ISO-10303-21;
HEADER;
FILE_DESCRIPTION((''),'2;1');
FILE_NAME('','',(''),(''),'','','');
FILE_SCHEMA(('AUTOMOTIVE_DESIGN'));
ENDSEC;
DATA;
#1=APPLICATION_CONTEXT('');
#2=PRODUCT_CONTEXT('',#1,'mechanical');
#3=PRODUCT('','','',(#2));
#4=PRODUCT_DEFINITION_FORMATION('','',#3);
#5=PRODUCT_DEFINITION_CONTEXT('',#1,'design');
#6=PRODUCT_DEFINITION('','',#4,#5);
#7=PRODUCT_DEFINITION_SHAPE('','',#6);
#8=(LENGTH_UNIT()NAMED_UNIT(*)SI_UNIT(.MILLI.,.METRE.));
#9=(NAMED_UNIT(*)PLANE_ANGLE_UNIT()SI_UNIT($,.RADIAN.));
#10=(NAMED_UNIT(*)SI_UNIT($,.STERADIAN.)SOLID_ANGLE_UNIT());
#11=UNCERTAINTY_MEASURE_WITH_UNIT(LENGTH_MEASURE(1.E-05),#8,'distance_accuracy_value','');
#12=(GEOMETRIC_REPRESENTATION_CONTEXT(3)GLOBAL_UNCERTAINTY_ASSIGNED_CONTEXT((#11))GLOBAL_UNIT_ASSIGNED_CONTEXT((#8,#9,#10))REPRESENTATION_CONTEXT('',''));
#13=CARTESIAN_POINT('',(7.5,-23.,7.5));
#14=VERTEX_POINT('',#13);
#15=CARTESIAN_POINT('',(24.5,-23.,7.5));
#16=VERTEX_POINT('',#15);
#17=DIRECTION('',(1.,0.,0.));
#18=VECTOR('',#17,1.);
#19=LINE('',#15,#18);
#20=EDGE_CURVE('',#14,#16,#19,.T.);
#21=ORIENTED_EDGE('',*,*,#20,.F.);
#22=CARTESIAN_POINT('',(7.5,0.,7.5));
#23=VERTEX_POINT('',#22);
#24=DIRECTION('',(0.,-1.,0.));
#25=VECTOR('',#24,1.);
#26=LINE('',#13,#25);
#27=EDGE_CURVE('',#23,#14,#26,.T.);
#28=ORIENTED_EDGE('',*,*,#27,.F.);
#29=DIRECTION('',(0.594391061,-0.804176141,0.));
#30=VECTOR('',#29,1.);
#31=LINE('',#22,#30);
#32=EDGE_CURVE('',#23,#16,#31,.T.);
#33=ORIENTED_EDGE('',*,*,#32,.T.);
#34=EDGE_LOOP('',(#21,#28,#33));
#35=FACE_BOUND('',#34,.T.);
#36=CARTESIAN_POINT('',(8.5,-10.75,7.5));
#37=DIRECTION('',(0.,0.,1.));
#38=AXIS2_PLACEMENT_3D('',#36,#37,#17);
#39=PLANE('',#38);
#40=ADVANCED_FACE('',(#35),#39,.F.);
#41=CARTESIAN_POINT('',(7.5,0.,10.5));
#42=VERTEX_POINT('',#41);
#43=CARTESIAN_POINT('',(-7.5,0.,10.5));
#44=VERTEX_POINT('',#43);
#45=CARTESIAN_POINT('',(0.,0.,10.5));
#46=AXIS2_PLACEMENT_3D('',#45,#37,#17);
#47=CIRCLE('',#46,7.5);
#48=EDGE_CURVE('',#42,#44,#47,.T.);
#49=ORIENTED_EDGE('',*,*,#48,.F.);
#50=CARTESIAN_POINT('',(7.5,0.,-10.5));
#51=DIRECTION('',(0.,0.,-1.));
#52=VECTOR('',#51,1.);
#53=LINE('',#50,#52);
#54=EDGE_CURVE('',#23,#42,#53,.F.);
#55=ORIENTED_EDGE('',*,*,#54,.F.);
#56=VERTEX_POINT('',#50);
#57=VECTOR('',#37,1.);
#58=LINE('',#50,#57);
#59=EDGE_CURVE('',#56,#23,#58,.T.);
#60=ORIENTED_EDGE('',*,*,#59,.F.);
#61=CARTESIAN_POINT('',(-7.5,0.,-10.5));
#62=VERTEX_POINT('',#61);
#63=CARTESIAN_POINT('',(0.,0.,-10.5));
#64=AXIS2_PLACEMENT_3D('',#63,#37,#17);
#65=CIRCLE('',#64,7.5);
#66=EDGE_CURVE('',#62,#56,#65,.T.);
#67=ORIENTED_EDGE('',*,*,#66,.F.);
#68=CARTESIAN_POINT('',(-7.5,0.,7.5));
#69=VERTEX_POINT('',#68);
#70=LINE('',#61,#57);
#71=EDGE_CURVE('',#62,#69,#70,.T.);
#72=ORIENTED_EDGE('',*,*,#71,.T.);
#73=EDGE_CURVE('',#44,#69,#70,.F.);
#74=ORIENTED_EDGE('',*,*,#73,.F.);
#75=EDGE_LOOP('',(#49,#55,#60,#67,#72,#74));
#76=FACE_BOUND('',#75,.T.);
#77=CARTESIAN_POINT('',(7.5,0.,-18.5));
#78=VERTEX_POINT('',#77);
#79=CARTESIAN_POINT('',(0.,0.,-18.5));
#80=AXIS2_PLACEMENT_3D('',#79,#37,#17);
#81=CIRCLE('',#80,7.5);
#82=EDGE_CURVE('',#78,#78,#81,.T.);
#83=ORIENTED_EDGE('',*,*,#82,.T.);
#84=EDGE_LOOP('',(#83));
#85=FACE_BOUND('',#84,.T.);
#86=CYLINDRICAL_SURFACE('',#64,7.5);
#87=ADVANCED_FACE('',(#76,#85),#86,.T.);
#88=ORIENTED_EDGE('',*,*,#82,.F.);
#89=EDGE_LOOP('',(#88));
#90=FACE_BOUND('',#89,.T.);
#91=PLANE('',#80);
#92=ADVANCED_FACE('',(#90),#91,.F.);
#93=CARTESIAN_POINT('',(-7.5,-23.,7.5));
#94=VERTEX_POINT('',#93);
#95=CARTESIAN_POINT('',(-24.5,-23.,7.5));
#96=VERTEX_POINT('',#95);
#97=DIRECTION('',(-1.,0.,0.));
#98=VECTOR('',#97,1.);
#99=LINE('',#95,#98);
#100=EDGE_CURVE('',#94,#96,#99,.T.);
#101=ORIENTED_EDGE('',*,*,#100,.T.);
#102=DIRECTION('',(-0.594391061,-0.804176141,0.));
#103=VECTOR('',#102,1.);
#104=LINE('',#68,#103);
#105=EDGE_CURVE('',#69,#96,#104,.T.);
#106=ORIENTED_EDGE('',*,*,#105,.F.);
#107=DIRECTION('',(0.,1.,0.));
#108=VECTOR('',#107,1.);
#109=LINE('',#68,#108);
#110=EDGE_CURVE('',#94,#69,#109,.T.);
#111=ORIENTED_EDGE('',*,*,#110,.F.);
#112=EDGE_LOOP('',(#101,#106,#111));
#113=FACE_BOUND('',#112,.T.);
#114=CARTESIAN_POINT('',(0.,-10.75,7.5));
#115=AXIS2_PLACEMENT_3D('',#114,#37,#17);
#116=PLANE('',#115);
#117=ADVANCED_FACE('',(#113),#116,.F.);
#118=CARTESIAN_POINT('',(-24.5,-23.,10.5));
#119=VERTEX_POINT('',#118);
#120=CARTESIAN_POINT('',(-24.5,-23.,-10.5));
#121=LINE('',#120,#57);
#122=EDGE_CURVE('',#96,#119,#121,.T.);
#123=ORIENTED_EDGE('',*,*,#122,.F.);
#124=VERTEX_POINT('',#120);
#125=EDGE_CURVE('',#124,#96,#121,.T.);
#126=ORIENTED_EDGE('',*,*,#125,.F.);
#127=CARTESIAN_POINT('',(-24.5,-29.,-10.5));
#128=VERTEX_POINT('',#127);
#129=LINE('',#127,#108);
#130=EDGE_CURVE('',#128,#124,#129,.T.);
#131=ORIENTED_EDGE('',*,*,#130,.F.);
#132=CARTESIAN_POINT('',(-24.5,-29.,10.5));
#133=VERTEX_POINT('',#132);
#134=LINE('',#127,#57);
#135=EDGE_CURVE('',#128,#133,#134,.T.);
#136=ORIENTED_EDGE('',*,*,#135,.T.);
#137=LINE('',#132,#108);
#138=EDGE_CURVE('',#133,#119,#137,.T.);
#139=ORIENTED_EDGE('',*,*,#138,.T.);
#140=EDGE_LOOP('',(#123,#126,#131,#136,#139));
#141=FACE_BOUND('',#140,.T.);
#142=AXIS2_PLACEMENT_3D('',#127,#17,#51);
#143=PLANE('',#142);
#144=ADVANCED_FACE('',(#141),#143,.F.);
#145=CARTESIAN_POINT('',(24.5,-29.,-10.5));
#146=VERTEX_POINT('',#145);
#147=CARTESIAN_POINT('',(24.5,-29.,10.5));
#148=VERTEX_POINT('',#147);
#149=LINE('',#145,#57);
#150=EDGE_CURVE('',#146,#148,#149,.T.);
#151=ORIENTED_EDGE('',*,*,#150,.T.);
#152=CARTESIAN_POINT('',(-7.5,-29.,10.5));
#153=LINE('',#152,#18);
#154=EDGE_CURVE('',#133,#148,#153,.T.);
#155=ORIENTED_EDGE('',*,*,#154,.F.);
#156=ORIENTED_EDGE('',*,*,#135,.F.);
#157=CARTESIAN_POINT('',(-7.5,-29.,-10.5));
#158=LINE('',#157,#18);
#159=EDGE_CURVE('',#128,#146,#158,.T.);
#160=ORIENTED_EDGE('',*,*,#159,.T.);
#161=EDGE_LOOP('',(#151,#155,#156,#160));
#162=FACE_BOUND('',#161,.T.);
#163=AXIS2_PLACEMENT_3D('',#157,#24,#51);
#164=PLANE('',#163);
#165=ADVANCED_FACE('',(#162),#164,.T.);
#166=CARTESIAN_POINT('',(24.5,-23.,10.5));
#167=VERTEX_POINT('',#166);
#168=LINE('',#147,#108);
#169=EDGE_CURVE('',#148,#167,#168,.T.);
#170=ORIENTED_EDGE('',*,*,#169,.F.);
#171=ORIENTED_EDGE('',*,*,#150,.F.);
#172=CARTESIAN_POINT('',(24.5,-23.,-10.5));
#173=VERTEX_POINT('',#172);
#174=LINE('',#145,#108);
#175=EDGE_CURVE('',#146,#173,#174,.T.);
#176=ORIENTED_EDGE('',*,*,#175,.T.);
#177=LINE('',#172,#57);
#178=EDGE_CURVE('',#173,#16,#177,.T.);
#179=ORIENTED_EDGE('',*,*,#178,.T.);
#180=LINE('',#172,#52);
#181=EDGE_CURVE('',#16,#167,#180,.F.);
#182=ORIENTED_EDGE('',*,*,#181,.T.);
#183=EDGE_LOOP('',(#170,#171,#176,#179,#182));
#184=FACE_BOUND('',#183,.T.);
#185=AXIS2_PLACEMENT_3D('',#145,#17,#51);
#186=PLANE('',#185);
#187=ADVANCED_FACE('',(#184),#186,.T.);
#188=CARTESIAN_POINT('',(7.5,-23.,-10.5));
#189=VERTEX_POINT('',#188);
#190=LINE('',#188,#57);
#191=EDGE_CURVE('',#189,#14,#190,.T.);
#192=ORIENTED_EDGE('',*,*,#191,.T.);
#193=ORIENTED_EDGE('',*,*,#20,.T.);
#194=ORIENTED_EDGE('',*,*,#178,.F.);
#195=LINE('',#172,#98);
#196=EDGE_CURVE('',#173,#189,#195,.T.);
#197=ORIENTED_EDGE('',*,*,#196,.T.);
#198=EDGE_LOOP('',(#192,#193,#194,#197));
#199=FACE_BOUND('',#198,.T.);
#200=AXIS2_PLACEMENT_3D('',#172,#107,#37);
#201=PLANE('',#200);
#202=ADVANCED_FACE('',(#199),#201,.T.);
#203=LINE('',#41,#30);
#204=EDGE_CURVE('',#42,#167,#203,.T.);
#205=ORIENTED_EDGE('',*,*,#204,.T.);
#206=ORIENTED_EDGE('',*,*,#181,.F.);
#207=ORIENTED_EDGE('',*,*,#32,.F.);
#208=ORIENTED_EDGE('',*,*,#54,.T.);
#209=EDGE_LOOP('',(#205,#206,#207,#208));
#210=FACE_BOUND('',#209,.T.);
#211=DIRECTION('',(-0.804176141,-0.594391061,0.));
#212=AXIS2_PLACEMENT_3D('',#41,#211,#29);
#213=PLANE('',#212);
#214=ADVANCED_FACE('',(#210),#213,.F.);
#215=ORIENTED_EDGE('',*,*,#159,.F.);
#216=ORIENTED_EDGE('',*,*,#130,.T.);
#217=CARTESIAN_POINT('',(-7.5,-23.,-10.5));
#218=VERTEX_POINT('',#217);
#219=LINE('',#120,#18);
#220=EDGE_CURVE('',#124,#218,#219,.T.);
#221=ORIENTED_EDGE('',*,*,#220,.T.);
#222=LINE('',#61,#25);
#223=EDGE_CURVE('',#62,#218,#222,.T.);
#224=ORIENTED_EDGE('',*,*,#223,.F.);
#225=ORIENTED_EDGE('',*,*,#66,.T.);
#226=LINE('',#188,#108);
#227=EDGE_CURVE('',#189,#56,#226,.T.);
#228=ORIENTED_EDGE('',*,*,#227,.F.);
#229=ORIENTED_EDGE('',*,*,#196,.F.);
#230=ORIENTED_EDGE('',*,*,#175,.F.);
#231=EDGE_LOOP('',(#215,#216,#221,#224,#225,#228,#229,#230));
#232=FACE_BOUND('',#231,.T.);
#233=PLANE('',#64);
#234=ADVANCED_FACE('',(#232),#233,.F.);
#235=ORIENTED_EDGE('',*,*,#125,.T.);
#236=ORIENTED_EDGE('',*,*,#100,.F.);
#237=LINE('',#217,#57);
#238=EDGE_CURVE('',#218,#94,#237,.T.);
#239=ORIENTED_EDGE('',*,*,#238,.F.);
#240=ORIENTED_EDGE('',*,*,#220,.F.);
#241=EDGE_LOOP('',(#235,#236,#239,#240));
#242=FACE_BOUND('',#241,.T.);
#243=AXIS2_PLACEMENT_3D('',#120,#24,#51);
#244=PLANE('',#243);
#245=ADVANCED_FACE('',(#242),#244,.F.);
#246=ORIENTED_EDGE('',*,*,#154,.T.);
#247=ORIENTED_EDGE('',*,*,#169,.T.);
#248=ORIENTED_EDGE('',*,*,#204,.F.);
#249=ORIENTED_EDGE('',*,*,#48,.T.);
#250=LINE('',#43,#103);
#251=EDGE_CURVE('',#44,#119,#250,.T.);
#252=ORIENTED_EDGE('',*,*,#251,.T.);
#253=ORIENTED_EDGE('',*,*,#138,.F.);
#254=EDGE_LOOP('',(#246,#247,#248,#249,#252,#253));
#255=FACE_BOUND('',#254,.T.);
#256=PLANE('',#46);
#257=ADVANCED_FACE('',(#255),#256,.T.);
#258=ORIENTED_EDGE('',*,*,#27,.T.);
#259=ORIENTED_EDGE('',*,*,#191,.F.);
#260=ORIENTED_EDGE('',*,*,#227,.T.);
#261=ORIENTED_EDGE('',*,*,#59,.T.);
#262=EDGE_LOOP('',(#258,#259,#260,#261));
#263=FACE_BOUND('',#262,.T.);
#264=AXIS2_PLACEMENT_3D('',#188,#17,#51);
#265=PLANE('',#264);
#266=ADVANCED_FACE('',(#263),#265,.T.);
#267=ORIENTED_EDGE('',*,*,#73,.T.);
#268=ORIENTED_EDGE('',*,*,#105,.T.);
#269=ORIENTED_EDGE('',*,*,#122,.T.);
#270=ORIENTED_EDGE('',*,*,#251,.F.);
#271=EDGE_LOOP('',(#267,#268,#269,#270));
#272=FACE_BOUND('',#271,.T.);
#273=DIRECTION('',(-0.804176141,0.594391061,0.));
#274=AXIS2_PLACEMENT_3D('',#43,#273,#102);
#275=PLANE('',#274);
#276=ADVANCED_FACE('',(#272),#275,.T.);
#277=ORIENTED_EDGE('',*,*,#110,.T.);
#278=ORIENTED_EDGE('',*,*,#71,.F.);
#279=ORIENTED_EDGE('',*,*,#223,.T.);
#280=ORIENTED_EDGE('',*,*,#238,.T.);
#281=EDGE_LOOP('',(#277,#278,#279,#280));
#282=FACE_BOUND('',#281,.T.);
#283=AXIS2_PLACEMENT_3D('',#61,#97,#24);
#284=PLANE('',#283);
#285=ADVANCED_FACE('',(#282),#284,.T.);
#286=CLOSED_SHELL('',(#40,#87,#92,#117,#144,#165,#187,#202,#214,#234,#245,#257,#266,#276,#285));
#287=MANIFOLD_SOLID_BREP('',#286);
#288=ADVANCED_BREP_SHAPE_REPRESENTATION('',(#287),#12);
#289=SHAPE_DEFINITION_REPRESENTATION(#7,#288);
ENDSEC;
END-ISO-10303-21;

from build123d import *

# Parameters (mm, degrees)
MAIN_BODY_DEPTH = 10.5
RIB1_REACH      = 45.385
SKETCH2_WALL_W  = 117.37050971
SKETCH2_WALL_H  = 3
SKETCH3_R       = 7.5
SHAFT_DEPTH     = 8


with BuildPart() as part:
    # Sketch1 → Main Body (new, symmetric)
    with BuildSketch(Plane.XY):
        with BuildLine():
            Line((-7.5, 0), (-7.5, -29))
            Line((-7.5, -29), (24.5, -29))
            Line((24.5, -29), (24.5, -23))
            Line((24.5, -23), (7.5, -23))
            Line((7.5, -23), (7.5, 0))
            ThreePointArc((7.5, 0), (0, 7.5), (-7.5, 0))
        make_face()
    main_body = extrude(amount=MAIN_BODY_DEPTH, both=True)

    # Sketch2 wall → Rib1 (add, up to next)
    with BuildSketch(Plane(origin=(16, -11.5, 10.5), x_dir=(0.594391061084, -0.804176141466, 0), z_dir=(0.804176141466, 0.594391061084, 0)), mode=Mode.PRIVATE) as rib1_sk1:
        with Locations((0, 1.5)):
            Rectangle(SKETCH2_WALL_W, SKETCH2_WALL_H)
    rib1_tool1 = extrude(rib1_sk1.sketch, amount=-RIB1_REACH, mode=Mode.PRIVATE) - part.part
    rib1 = rib1_tool1.solids().sort_by_distance((16, -11.5, 10.5))[0]
    add(rib1)

    # Sketch3 → Shaft (add)
    with BuildSketch(Plane.XY.offset(-10.5)):
        Circle(SKETCH3_R)
    extrude(amount=-SHAFT_DEPTH)

    # Mirror2: Main Body, Rib1 across plane
    add(main_body.mirror(Plane(origin=(0, 0, 0), x_dir=(0, 0, 1), z_dir=(1, 0, 0))))
    add(rib1.mirror(Plane(origin=(0, 0, 0), x_dir=(0, 0, 1), z_dir=(1, 0, 0))))


solid = part.part
